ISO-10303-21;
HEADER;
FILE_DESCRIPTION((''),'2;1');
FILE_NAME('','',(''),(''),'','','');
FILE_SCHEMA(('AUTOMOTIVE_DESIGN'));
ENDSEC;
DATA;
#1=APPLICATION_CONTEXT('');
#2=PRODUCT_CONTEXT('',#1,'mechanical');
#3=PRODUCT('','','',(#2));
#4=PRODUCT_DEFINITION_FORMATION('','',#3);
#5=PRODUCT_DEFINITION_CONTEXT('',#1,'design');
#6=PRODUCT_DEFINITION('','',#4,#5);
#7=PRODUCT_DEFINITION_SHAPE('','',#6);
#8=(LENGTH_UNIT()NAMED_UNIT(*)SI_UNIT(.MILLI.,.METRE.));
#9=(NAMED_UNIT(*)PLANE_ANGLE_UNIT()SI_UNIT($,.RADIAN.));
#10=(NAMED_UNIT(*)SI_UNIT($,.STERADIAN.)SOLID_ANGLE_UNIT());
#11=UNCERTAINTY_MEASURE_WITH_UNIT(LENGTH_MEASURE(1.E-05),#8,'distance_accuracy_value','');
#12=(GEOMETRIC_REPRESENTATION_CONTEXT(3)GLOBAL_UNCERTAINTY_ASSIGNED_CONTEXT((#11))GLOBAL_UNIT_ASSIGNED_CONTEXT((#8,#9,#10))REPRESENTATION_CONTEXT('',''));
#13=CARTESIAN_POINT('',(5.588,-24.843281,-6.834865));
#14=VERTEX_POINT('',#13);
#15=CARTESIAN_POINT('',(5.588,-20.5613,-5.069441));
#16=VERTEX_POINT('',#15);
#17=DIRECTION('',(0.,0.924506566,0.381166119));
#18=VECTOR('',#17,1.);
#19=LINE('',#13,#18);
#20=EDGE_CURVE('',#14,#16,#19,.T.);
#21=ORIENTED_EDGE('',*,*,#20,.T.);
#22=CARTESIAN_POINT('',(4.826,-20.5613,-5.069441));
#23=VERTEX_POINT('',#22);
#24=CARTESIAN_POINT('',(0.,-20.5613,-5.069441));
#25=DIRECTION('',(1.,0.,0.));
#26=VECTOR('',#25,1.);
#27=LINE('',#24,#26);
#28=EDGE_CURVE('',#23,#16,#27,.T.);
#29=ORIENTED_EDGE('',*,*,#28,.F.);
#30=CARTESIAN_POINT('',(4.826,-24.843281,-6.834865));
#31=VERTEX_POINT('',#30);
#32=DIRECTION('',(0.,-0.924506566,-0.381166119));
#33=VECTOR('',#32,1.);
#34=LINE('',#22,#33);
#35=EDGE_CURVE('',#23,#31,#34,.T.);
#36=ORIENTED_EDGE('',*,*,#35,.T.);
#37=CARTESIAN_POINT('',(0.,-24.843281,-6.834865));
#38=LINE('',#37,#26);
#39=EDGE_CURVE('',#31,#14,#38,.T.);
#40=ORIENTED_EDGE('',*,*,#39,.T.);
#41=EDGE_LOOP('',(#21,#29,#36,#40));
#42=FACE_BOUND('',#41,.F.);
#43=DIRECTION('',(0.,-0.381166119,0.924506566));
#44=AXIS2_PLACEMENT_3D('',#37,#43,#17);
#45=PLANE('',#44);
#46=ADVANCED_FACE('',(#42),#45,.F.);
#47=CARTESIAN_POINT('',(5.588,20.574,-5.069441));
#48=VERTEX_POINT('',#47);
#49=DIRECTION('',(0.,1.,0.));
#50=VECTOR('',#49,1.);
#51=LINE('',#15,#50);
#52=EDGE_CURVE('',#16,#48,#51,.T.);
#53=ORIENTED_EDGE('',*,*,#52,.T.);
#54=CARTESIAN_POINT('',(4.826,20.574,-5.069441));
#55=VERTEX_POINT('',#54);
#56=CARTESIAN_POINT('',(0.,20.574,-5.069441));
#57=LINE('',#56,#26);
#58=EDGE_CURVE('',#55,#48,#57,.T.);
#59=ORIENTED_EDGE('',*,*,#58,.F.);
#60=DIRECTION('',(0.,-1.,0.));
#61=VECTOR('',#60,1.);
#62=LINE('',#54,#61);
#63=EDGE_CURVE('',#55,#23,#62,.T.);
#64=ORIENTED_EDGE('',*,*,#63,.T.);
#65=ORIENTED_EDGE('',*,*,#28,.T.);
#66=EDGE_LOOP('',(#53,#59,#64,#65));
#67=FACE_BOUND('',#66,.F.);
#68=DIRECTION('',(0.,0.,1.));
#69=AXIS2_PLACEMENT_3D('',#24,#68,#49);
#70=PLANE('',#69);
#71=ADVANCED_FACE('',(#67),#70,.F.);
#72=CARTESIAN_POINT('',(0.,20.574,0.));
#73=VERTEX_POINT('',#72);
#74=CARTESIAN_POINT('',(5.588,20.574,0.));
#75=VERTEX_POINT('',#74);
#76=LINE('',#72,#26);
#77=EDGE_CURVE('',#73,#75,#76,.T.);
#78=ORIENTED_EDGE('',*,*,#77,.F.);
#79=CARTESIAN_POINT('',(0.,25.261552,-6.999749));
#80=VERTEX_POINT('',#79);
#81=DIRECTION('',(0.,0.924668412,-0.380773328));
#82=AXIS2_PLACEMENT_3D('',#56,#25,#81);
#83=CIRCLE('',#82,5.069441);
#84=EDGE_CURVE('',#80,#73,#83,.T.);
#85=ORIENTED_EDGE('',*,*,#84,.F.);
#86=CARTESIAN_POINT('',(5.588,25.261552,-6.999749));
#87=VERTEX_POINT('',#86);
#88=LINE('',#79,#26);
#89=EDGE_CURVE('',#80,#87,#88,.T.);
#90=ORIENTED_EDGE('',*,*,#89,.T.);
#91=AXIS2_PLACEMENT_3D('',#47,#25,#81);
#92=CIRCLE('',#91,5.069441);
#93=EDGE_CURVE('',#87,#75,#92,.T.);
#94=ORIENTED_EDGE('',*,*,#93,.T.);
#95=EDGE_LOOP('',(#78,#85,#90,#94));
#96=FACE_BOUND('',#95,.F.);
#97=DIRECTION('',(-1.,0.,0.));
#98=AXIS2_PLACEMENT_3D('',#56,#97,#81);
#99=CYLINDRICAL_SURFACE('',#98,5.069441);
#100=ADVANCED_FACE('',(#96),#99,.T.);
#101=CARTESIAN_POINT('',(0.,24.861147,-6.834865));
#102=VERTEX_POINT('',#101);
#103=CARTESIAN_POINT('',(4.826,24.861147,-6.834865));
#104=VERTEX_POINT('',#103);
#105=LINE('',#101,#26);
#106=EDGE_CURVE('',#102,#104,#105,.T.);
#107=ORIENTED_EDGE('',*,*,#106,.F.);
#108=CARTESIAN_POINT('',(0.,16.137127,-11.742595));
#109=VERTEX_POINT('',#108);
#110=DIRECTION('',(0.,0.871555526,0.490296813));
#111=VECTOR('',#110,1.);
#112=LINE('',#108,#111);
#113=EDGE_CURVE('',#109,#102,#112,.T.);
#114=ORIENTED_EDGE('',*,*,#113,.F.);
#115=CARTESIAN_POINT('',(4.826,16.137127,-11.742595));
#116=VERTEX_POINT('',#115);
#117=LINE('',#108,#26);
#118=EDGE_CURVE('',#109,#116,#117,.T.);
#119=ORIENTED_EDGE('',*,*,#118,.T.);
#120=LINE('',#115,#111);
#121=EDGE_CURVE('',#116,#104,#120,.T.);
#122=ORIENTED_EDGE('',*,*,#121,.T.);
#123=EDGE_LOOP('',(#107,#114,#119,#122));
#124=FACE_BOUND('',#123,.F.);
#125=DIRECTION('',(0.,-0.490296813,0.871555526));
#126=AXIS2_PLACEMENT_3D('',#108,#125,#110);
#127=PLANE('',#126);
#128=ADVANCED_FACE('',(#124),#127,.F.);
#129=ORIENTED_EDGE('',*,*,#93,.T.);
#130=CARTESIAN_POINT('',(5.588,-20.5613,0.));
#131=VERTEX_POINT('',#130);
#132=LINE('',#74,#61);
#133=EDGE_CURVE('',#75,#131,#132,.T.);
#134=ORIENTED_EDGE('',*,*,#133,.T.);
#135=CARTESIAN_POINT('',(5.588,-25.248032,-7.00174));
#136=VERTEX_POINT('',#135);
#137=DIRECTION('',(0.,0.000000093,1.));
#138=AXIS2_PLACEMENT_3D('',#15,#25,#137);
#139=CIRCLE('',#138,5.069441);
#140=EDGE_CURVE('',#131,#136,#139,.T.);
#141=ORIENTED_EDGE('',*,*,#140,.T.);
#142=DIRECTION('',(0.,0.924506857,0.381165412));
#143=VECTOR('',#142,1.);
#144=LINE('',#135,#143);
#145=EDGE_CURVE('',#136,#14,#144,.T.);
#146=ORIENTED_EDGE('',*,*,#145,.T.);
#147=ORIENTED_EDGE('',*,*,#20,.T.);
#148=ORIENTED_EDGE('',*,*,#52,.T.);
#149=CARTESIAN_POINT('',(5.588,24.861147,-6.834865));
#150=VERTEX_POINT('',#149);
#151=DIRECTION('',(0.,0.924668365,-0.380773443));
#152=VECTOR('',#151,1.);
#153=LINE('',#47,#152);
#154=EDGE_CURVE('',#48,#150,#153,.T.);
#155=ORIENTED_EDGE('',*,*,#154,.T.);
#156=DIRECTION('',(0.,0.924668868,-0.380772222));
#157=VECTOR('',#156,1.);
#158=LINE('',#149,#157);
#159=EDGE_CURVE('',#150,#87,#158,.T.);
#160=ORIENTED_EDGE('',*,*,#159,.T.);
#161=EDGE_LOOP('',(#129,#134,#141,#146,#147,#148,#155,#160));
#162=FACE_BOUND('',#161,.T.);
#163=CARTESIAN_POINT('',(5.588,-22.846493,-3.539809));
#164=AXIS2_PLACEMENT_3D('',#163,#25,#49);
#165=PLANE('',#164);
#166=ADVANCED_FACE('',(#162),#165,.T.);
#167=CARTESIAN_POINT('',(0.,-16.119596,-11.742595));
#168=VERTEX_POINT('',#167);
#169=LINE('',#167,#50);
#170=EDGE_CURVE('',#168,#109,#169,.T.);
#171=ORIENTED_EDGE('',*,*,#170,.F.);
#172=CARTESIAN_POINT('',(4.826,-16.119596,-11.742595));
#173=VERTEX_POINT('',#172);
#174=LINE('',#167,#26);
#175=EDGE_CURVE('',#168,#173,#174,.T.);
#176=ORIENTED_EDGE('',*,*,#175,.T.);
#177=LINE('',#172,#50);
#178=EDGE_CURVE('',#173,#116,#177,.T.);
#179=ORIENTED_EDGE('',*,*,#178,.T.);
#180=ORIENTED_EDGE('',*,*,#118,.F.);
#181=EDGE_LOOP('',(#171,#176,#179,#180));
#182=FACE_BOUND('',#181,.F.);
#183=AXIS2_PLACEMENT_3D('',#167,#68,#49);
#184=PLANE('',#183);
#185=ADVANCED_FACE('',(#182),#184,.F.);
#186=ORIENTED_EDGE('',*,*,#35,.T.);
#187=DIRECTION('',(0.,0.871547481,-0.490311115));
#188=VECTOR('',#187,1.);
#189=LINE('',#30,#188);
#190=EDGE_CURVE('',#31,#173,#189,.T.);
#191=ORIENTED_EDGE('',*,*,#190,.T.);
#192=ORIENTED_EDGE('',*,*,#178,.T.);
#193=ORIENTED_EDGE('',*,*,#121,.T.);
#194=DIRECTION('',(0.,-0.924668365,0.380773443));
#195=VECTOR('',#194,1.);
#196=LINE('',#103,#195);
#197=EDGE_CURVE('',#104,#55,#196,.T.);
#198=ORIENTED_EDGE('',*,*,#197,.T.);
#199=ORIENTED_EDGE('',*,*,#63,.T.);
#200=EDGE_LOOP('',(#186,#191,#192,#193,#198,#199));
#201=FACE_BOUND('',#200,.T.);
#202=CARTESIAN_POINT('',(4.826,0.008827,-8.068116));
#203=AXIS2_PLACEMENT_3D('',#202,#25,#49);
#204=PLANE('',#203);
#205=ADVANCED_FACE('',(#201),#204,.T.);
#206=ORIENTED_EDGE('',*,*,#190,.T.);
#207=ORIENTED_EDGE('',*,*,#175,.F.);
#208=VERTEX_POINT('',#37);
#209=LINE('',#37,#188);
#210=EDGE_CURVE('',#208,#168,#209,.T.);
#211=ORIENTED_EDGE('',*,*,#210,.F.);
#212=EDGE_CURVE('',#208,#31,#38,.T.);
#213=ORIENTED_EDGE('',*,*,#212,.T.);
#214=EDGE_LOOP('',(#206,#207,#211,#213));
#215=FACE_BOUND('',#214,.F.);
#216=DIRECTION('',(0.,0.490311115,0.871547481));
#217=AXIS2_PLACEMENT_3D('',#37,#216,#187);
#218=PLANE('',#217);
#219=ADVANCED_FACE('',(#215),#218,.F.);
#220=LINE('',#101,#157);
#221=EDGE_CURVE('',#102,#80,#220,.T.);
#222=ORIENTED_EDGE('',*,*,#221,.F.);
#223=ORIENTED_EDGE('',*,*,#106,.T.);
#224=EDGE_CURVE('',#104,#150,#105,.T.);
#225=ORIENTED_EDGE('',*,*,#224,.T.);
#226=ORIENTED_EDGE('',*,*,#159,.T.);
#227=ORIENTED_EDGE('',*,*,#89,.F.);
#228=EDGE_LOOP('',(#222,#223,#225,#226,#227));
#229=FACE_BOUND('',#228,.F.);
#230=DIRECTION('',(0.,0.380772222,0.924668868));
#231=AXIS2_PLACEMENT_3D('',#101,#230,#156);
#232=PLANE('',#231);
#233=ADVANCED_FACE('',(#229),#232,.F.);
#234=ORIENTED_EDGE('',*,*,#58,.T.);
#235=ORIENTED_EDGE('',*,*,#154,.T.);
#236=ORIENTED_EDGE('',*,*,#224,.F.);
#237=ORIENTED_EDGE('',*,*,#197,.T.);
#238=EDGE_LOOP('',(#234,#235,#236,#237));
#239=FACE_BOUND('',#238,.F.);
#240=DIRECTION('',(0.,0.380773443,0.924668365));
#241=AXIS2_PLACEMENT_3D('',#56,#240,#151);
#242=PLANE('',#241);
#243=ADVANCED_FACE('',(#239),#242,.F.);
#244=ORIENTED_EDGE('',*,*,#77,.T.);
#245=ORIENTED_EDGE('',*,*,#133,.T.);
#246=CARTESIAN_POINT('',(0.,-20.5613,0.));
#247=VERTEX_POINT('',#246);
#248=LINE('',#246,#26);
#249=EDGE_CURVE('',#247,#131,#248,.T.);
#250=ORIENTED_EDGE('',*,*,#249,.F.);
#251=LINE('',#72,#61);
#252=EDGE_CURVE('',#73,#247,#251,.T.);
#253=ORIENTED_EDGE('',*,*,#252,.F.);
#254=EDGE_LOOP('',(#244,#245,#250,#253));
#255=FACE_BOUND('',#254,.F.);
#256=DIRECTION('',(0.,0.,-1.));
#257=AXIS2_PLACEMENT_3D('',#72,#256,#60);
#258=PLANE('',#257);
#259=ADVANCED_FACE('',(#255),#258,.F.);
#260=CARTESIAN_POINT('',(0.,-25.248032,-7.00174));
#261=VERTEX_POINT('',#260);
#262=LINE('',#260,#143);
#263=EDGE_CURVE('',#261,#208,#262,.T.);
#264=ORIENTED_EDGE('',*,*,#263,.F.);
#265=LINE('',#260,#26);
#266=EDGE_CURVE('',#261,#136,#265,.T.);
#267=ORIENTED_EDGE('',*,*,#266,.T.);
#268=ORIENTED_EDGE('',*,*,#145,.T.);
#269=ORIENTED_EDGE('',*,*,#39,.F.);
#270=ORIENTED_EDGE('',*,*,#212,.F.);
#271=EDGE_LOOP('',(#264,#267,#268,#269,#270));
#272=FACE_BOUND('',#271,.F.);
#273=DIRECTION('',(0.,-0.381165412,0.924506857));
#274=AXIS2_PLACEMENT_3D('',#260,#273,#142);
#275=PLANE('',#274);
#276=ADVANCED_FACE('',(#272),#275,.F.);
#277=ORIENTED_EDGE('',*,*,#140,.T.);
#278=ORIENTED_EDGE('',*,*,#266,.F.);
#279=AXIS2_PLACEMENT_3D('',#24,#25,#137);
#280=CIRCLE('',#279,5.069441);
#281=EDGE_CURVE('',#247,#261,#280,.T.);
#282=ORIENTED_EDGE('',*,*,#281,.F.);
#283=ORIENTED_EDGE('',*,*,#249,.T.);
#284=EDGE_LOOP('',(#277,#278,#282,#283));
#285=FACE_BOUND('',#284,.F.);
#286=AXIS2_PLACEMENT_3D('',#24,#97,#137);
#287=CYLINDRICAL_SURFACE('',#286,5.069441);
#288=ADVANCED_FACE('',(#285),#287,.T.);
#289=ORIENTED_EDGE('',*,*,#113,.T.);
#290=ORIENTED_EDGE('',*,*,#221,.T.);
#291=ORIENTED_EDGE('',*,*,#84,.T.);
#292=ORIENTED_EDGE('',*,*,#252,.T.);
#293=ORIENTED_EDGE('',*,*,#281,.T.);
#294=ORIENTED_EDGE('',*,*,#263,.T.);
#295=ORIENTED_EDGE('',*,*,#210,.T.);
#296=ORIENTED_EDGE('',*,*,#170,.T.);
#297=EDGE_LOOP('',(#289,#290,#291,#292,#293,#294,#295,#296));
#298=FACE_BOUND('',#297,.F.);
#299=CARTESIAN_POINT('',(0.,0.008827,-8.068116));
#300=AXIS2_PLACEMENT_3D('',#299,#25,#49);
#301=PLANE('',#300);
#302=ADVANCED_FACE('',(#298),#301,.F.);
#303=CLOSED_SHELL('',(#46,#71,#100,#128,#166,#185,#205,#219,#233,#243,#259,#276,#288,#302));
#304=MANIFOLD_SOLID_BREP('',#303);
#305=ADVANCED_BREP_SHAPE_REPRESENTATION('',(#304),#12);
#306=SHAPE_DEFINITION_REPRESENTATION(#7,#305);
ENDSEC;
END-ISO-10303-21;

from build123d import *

# Parameters (mm, degrees)
F1_DEPTH = 5.588
F2_DEPTH = 4.826


with BuildPart() as f1:
    # F0 (on Right) → F1 (new body)
    with BuildSketch(Plane.YZ):
        with BuildLine():
            Line((-20.5613, -5.069441), (-20.5613, 0))
            ThreePointArc((-20.5613, 0), (-24.774073, -2.249551), (-25.248032, -7.00174))
            Line((-25.248032, -7.00174), (-24.843281, -6.834865))
            Line((-24.843281, -6.834865), (-20.5613, -5.069441))
        make_face()
        Polygon((20.574, 0), (0, 0), (-20.5613, 0), (-20.5613, -5.069441), (20.574, -5.069441), align=None)
        with BuildLine():
            ThreePointArc((25.261552, -6.999749), (24.786174, -2.248657), (20.574, 0))
            Line((20.574, 0), (20.574, -5.069441))
            Line((20.574, -5.069441), (24.861147, -6.834865))
            Line((24.861147, -6.834865), (25.261552, -6.999749))
        make_face()
    extrude(amount=F1_DEPTH)

    # F0 (on Right) → F2 (join)
    with BuildSketch(Plane.YZ):
        Polygon((20.574, -5.069441), (-20.5613, -5.069441), (-24.843281, -6.834865), (-16.119596, -11.742595), (16.137127, -11.742595), (24.861147, -6.834865), align=None)
    extrude(amount=F2_DEPTH)


solid = f1.part
